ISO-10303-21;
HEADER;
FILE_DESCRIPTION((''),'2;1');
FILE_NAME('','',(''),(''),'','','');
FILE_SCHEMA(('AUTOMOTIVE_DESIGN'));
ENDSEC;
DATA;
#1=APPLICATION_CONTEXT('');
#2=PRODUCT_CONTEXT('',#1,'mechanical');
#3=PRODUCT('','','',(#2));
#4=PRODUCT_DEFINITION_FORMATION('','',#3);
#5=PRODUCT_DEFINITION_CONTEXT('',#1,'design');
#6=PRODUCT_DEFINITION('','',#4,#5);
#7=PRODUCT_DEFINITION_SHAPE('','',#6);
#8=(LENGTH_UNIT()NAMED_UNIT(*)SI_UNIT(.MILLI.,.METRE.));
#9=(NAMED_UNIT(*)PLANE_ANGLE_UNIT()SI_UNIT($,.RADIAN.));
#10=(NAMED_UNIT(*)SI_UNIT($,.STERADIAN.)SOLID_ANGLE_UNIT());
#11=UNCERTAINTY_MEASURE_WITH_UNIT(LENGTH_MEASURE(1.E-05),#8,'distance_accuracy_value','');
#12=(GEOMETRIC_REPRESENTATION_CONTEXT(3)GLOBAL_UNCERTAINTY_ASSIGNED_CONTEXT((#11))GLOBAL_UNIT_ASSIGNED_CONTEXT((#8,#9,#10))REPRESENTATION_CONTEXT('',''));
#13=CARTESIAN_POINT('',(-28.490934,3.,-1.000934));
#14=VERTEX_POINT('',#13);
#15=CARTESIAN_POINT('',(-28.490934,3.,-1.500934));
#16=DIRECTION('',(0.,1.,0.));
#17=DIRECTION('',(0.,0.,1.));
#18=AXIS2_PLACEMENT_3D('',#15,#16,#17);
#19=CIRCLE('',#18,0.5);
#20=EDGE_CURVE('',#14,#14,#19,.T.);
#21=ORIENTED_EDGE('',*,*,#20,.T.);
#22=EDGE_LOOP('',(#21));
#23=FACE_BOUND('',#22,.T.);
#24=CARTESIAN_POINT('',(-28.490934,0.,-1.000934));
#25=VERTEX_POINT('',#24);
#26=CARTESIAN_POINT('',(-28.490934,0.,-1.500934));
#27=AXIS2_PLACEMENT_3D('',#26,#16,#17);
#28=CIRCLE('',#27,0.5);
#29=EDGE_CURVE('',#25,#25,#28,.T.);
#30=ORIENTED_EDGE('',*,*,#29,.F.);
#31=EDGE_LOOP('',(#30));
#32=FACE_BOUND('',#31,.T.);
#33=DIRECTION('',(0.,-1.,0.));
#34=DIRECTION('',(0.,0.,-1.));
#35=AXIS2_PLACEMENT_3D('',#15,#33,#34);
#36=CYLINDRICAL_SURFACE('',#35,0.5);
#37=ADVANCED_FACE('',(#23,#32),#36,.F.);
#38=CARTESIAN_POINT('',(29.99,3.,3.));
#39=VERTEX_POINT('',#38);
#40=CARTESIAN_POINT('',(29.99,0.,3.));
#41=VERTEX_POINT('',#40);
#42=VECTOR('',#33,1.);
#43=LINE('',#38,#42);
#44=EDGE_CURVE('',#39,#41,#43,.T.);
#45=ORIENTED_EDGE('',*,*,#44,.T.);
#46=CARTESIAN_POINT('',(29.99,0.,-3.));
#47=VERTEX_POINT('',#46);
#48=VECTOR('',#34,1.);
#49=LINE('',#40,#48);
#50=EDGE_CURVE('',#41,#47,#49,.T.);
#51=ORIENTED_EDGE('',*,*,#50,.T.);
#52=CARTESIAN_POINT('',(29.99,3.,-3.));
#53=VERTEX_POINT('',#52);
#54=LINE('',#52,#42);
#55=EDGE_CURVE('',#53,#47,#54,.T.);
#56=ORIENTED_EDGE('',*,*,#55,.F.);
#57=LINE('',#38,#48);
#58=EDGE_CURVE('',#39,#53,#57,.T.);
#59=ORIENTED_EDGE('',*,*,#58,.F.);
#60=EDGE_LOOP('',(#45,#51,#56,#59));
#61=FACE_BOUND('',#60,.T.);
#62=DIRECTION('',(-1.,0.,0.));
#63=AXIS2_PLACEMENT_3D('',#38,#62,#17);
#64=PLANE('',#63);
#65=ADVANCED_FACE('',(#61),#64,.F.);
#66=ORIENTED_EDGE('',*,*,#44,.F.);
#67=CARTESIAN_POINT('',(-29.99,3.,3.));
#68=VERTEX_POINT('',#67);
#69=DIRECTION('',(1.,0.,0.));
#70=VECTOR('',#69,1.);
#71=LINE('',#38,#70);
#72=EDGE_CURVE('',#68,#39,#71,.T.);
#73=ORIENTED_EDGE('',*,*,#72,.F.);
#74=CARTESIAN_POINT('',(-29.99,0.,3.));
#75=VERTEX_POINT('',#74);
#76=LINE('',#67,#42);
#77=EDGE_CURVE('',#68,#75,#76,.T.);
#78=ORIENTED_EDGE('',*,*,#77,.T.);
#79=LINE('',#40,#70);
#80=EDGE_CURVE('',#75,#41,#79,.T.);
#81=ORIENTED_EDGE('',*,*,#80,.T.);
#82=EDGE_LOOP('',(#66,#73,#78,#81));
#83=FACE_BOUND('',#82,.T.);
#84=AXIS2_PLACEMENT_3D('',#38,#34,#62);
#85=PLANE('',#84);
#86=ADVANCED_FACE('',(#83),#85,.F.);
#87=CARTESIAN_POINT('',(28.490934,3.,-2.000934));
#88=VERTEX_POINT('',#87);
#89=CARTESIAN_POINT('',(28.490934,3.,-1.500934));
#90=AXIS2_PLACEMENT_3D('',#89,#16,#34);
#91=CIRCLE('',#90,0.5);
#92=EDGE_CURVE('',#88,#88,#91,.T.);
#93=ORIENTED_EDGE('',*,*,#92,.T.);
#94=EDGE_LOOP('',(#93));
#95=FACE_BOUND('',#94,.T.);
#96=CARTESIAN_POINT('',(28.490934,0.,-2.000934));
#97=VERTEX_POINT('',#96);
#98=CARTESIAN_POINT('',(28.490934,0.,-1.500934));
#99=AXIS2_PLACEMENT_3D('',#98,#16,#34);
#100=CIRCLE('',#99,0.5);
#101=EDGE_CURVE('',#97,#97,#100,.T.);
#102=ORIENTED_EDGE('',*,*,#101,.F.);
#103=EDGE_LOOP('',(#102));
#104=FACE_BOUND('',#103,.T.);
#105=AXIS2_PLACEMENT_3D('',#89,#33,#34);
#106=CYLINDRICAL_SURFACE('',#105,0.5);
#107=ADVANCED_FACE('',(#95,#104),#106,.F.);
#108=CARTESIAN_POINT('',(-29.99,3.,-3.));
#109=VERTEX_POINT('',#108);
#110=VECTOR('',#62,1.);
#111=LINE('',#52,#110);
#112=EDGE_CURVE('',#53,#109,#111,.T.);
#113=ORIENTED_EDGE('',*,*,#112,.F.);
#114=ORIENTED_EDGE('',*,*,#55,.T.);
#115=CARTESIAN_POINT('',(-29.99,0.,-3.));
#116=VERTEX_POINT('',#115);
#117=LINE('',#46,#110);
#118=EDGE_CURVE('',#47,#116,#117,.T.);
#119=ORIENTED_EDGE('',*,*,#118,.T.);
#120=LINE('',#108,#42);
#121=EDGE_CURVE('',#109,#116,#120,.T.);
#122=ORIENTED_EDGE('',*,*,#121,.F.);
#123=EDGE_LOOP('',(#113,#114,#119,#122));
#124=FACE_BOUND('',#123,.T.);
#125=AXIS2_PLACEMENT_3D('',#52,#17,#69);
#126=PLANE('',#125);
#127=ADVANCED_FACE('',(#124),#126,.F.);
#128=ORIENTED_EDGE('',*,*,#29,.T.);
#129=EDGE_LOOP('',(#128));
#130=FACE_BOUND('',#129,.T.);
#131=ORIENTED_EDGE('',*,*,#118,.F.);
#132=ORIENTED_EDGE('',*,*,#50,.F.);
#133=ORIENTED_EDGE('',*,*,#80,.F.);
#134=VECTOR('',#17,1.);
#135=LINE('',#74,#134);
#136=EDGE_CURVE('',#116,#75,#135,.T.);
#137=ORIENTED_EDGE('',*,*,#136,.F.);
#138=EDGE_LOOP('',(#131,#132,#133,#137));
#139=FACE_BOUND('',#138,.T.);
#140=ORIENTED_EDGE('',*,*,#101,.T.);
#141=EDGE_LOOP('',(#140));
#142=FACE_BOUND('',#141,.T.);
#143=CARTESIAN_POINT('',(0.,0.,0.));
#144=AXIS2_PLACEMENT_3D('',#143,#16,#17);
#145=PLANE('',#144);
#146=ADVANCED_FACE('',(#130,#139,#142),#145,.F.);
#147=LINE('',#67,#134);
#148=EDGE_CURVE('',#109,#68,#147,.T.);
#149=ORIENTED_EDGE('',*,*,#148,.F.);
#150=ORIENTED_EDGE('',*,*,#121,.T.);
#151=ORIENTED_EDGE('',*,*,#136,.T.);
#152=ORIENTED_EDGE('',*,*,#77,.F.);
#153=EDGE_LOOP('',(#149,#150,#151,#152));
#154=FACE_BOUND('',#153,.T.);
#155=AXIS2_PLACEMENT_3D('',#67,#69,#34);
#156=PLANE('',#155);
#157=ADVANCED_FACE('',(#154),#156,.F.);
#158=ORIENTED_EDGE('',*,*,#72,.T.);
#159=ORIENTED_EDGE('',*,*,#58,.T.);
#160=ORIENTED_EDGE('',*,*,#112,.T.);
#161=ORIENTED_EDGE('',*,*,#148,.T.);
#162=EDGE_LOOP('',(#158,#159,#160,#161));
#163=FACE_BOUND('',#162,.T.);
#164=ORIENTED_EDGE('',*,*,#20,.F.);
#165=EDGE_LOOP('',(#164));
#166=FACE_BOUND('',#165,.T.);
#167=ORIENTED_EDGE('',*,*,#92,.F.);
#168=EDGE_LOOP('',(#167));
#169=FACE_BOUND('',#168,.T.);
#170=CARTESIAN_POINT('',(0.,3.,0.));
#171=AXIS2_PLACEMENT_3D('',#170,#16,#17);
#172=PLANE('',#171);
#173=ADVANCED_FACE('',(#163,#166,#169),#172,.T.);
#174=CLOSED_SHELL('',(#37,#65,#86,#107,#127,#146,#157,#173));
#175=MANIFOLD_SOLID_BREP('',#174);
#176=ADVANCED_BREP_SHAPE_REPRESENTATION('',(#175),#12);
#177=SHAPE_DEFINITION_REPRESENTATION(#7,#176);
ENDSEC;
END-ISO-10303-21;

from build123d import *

# Parameters (mm, degrees)
SKETCH1_W           = 59.98
SKETCH1_H           = 6
SKETCH1_R           = 0.5
BOSS_EXTRUDE1_DEPTH = 3


with BuildPart() as part:
    # Sketch1 → Boss-Extrude1 (new body)
    with BuildSketch(Plane(origin=(0, 0, 0), x_dir=(1, 0, 0), z_dir=(0, 1, 0))):
        Rectangle(SKETCH1_W, SKETCH1_H)
        with Locations(Location((-28.490933624, 1.500933624, 0), (0, 0, 270))):
            Circle(SKETCH1_R, mode=Mode.SUBTRACT)
        with Locations(Location((28.490933624, 1.500933624, 0), (0, 0, 90))):
            Circle(SKETCH1_R, mode=Mode.SUBTRACT)
    extrude(amount=BOSS_EXTRUDE1_DEPTH)


solid = part.part
